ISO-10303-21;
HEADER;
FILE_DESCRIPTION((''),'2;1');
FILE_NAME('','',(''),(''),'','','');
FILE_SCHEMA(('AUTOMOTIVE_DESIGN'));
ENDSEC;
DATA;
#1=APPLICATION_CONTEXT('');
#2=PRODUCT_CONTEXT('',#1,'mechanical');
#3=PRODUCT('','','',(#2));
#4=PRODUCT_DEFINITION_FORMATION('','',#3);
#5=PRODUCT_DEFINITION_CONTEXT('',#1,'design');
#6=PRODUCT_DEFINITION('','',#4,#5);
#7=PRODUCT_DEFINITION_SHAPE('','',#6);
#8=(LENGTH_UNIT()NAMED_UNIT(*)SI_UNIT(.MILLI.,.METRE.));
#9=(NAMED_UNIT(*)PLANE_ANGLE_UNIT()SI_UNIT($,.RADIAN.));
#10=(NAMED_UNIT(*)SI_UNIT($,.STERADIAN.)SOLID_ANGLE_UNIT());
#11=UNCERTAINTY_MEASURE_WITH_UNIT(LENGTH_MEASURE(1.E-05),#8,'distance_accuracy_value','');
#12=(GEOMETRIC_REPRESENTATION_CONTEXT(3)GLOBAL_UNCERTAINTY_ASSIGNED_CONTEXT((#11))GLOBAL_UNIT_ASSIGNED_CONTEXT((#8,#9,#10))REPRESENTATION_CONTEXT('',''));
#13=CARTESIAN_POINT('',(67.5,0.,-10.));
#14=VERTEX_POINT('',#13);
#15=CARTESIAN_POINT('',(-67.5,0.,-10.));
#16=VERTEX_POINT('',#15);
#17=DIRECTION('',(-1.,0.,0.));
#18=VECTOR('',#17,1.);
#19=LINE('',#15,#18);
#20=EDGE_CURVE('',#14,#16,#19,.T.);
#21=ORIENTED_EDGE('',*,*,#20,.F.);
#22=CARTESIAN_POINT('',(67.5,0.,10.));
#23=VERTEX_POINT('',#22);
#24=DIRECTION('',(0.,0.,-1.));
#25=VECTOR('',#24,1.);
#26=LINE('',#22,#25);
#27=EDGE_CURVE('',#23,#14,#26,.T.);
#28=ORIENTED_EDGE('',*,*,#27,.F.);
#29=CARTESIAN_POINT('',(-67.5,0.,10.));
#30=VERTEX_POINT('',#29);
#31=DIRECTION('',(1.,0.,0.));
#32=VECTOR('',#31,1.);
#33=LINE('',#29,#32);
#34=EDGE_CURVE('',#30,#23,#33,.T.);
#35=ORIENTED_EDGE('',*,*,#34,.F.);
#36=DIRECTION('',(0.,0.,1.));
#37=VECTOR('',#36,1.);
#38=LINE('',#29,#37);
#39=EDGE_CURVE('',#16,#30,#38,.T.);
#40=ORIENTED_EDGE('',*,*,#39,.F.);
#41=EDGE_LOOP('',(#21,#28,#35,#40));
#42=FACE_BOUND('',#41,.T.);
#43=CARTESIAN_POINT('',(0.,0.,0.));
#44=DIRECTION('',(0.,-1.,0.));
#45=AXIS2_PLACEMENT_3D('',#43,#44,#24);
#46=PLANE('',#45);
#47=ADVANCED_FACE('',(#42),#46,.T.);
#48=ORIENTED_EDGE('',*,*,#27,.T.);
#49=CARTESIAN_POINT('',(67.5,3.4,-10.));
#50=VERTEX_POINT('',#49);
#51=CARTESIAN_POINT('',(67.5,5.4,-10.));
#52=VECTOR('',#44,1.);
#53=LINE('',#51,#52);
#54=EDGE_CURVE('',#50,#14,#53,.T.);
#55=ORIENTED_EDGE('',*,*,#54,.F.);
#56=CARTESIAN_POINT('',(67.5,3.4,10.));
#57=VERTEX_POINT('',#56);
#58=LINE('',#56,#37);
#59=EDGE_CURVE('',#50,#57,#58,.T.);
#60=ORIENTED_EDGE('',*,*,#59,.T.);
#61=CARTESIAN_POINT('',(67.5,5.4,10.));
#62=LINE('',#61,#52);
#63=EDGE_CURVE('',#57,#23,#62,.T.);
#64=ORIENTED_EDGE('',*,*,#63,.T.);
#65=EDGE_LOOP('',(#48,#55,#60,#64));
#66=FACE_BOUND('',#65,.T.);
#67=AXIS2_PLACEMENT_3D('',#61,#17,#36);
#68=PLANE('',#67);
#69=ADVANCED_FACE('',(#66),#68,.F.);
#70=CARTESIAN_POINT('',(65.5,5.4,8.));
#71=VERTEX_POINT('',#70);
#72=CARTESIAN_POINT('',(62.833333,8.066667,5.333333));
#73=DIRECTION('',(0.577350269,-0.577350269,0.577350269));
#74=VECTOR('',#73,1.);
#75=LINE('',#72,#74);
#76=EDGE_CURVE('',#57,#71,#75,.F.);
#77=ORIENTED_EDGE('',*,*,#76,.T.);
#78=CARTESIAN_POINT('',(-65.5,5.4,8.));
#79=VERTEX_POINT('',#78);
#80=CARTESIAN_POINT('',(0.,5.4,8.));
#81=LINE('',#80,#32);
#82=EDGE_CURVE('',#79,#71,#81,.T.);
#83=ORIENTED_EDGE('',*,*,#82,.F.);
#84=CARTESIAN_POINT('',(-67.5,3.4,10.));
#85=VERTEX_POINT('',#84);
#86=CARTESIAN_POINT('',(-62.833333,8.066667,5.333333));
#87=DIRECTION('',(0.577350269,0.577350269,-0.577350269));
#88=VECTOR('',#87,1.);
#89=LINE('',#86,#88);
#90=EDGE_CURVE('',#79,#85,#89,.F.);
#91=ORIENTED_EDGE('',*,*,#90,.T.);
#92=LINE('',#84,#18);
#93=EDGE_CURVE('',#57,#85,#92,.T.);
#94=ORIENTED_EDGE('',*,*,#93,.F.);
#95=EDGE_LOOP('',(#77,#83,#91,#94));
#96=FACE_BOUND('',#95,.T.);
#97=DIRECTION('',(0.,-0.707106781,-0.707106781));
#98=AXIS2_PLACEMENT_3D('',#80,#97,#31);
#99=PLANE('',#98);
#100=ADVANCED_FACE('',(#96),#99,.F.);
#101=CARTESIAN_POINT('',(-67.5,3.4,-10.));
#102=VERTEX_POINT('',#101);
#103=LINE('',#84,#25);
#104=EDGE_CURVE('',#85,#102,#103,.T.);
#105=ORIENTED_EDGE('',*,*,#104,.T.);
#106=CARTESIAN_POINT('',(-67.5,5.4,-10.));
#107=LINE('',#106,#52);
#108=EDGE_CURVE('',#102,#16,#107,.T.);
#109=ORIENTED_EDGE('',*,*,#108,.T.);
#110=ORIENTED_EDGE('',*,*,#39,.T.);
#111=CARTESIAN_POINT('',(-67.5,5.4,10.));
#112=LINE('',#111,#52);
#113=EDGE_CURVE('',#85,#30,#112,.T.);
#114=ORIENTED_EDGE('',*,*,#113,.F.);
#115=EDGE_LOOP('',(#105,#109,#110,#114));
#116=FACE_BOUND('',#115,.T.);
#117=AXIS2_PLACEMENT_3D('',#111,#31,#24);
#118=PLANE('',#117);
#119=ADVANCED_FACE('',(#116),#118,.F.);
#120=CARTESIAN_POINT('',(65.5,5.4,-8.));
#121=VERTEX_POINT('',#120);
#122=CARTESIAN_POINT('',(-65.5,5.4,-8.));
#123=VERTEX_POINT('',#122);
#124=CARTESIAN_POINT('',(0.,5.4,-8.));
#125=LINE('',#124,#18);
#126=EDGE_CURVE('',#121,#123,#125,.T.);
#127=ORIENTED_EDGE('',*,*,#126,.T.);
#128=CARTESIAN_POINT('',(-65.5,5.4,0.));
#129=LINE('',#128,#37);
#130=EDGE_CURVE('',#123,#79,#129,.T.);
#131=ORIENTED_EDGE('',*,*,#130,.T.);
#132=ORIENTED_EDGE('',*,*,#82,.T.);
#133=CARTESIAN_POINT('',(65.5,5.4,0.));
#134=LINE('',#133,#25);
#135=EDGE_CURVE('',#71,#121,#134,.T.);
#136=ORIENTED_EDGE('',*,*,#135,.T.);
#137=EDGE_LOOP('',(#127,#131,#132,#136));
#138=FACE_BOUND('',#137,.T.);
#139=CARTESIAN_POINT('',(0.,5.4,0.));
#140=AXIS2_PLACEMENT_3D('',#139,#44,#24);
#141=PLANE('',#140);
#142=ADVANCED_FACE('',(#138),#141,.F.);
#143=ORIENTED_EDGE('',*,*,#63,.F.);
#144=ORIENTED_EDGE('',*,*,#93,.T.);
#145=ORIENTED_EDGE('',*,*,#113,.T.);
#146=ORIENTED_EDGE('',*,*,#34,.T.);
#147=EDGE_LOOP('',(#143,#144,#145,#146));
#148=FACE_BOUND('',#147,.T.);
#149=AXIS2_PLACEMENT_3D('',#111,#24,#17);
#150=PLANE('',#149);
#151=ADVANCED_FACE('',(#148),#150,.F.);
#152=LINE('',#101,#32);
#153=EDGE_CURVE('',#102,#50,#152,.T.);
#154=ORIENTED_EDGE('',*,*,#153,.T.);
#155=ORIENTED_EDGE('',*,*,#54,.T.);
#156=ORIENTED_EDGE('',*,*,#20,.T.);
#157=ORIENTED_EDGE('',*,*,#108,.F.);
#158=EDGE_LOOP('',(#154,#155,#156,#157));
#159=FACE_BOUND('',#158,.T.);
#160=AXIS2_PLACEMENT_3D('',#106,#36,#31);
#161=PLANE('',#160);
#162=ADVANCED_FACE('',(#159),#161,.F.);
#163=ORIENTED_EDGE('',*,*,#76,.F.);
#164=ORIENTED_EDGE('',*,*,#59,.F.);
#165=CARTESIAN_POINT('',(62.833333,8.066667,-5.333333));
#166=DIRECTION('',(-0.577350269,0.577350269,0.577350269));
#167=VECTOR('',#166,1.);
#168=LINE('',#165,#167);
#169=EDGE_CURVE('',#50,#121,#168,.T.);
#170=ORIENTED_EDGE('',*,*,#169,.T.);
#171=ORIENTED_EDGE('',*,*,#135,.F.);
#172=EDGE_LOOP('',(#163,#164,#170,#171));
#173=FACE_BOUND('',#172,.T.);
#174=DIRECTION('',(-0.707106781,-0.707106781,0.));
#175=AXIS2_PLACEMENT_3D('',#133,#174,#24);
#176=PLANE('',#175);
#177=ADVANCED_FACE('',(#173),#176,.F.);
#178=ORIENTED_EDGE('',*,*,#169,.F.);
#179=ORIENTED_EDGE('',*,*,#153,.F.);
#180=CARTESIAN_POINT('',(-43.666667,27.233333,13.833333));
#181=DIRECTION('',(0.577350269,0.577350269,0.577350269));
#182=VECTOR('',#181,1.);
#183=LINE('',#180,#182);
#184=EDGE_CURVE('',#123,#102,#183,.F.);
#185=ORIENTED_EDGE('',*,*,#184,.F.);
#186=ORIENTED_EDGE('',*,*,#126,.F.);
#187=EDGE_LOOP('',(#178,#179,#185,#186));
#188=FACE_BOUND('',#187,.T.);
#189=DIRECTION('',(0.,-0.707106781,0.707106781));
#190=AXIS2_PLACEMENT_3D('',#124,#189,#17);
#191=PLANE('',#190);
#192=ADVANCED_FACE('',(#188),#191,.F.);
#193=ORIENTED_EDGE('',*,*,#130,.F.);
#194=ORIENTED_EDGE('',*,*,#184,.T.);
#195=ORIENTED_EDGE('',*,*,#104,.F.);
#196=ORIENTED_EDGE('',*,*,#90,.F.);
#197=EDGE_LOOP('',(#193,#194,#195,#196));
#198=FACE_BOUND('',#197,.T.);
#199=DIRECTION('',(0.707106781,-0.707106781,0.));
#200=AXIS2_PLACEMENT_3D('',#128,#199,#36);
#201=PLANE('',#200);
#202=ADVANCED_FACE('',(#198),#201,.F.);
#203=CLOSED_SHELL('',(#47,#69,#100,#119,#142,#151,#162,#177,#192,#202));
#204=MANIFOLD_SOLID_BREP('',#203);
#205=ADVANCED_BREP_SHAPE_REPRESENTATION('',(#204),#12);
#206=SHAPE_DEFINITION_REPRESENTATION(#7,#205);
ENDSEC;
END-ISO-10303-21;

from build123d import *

# Parameters (mm, degrees)
SKETCH1_W           = 135
SKETCH1_H           = 20
BOSS_EXTRUDE1_DEPTH = 5.4
CHAMFER1_SIZE       = 2


with BuildPart() as part:
    # Sketch1 → Boss-Extrude1 (new body)
    with BuildSketch(Plane(origin=(0, 0, 0), x_dir=(1, 0, 0), z_dir=(0, 1, 0))):
        Rectangle(SKETCH1_W, SKETCH1_H)
    extrude(amount=BOSS_EXTRUDE1_DEPTH)

    # Chamfer1
    chamfer1_edges = [part.edges().sort_by_distance(p)[0] for p in [
        (-67.5, 5.4, 0),
        (0, 5.4, 10),
        (67.5, 5.4, 0),
        (0, 5.4, -10),
    ]]
    chamfer(chamfer1_edges, length=CHAMFER1_SIZE)


solid = part.part
